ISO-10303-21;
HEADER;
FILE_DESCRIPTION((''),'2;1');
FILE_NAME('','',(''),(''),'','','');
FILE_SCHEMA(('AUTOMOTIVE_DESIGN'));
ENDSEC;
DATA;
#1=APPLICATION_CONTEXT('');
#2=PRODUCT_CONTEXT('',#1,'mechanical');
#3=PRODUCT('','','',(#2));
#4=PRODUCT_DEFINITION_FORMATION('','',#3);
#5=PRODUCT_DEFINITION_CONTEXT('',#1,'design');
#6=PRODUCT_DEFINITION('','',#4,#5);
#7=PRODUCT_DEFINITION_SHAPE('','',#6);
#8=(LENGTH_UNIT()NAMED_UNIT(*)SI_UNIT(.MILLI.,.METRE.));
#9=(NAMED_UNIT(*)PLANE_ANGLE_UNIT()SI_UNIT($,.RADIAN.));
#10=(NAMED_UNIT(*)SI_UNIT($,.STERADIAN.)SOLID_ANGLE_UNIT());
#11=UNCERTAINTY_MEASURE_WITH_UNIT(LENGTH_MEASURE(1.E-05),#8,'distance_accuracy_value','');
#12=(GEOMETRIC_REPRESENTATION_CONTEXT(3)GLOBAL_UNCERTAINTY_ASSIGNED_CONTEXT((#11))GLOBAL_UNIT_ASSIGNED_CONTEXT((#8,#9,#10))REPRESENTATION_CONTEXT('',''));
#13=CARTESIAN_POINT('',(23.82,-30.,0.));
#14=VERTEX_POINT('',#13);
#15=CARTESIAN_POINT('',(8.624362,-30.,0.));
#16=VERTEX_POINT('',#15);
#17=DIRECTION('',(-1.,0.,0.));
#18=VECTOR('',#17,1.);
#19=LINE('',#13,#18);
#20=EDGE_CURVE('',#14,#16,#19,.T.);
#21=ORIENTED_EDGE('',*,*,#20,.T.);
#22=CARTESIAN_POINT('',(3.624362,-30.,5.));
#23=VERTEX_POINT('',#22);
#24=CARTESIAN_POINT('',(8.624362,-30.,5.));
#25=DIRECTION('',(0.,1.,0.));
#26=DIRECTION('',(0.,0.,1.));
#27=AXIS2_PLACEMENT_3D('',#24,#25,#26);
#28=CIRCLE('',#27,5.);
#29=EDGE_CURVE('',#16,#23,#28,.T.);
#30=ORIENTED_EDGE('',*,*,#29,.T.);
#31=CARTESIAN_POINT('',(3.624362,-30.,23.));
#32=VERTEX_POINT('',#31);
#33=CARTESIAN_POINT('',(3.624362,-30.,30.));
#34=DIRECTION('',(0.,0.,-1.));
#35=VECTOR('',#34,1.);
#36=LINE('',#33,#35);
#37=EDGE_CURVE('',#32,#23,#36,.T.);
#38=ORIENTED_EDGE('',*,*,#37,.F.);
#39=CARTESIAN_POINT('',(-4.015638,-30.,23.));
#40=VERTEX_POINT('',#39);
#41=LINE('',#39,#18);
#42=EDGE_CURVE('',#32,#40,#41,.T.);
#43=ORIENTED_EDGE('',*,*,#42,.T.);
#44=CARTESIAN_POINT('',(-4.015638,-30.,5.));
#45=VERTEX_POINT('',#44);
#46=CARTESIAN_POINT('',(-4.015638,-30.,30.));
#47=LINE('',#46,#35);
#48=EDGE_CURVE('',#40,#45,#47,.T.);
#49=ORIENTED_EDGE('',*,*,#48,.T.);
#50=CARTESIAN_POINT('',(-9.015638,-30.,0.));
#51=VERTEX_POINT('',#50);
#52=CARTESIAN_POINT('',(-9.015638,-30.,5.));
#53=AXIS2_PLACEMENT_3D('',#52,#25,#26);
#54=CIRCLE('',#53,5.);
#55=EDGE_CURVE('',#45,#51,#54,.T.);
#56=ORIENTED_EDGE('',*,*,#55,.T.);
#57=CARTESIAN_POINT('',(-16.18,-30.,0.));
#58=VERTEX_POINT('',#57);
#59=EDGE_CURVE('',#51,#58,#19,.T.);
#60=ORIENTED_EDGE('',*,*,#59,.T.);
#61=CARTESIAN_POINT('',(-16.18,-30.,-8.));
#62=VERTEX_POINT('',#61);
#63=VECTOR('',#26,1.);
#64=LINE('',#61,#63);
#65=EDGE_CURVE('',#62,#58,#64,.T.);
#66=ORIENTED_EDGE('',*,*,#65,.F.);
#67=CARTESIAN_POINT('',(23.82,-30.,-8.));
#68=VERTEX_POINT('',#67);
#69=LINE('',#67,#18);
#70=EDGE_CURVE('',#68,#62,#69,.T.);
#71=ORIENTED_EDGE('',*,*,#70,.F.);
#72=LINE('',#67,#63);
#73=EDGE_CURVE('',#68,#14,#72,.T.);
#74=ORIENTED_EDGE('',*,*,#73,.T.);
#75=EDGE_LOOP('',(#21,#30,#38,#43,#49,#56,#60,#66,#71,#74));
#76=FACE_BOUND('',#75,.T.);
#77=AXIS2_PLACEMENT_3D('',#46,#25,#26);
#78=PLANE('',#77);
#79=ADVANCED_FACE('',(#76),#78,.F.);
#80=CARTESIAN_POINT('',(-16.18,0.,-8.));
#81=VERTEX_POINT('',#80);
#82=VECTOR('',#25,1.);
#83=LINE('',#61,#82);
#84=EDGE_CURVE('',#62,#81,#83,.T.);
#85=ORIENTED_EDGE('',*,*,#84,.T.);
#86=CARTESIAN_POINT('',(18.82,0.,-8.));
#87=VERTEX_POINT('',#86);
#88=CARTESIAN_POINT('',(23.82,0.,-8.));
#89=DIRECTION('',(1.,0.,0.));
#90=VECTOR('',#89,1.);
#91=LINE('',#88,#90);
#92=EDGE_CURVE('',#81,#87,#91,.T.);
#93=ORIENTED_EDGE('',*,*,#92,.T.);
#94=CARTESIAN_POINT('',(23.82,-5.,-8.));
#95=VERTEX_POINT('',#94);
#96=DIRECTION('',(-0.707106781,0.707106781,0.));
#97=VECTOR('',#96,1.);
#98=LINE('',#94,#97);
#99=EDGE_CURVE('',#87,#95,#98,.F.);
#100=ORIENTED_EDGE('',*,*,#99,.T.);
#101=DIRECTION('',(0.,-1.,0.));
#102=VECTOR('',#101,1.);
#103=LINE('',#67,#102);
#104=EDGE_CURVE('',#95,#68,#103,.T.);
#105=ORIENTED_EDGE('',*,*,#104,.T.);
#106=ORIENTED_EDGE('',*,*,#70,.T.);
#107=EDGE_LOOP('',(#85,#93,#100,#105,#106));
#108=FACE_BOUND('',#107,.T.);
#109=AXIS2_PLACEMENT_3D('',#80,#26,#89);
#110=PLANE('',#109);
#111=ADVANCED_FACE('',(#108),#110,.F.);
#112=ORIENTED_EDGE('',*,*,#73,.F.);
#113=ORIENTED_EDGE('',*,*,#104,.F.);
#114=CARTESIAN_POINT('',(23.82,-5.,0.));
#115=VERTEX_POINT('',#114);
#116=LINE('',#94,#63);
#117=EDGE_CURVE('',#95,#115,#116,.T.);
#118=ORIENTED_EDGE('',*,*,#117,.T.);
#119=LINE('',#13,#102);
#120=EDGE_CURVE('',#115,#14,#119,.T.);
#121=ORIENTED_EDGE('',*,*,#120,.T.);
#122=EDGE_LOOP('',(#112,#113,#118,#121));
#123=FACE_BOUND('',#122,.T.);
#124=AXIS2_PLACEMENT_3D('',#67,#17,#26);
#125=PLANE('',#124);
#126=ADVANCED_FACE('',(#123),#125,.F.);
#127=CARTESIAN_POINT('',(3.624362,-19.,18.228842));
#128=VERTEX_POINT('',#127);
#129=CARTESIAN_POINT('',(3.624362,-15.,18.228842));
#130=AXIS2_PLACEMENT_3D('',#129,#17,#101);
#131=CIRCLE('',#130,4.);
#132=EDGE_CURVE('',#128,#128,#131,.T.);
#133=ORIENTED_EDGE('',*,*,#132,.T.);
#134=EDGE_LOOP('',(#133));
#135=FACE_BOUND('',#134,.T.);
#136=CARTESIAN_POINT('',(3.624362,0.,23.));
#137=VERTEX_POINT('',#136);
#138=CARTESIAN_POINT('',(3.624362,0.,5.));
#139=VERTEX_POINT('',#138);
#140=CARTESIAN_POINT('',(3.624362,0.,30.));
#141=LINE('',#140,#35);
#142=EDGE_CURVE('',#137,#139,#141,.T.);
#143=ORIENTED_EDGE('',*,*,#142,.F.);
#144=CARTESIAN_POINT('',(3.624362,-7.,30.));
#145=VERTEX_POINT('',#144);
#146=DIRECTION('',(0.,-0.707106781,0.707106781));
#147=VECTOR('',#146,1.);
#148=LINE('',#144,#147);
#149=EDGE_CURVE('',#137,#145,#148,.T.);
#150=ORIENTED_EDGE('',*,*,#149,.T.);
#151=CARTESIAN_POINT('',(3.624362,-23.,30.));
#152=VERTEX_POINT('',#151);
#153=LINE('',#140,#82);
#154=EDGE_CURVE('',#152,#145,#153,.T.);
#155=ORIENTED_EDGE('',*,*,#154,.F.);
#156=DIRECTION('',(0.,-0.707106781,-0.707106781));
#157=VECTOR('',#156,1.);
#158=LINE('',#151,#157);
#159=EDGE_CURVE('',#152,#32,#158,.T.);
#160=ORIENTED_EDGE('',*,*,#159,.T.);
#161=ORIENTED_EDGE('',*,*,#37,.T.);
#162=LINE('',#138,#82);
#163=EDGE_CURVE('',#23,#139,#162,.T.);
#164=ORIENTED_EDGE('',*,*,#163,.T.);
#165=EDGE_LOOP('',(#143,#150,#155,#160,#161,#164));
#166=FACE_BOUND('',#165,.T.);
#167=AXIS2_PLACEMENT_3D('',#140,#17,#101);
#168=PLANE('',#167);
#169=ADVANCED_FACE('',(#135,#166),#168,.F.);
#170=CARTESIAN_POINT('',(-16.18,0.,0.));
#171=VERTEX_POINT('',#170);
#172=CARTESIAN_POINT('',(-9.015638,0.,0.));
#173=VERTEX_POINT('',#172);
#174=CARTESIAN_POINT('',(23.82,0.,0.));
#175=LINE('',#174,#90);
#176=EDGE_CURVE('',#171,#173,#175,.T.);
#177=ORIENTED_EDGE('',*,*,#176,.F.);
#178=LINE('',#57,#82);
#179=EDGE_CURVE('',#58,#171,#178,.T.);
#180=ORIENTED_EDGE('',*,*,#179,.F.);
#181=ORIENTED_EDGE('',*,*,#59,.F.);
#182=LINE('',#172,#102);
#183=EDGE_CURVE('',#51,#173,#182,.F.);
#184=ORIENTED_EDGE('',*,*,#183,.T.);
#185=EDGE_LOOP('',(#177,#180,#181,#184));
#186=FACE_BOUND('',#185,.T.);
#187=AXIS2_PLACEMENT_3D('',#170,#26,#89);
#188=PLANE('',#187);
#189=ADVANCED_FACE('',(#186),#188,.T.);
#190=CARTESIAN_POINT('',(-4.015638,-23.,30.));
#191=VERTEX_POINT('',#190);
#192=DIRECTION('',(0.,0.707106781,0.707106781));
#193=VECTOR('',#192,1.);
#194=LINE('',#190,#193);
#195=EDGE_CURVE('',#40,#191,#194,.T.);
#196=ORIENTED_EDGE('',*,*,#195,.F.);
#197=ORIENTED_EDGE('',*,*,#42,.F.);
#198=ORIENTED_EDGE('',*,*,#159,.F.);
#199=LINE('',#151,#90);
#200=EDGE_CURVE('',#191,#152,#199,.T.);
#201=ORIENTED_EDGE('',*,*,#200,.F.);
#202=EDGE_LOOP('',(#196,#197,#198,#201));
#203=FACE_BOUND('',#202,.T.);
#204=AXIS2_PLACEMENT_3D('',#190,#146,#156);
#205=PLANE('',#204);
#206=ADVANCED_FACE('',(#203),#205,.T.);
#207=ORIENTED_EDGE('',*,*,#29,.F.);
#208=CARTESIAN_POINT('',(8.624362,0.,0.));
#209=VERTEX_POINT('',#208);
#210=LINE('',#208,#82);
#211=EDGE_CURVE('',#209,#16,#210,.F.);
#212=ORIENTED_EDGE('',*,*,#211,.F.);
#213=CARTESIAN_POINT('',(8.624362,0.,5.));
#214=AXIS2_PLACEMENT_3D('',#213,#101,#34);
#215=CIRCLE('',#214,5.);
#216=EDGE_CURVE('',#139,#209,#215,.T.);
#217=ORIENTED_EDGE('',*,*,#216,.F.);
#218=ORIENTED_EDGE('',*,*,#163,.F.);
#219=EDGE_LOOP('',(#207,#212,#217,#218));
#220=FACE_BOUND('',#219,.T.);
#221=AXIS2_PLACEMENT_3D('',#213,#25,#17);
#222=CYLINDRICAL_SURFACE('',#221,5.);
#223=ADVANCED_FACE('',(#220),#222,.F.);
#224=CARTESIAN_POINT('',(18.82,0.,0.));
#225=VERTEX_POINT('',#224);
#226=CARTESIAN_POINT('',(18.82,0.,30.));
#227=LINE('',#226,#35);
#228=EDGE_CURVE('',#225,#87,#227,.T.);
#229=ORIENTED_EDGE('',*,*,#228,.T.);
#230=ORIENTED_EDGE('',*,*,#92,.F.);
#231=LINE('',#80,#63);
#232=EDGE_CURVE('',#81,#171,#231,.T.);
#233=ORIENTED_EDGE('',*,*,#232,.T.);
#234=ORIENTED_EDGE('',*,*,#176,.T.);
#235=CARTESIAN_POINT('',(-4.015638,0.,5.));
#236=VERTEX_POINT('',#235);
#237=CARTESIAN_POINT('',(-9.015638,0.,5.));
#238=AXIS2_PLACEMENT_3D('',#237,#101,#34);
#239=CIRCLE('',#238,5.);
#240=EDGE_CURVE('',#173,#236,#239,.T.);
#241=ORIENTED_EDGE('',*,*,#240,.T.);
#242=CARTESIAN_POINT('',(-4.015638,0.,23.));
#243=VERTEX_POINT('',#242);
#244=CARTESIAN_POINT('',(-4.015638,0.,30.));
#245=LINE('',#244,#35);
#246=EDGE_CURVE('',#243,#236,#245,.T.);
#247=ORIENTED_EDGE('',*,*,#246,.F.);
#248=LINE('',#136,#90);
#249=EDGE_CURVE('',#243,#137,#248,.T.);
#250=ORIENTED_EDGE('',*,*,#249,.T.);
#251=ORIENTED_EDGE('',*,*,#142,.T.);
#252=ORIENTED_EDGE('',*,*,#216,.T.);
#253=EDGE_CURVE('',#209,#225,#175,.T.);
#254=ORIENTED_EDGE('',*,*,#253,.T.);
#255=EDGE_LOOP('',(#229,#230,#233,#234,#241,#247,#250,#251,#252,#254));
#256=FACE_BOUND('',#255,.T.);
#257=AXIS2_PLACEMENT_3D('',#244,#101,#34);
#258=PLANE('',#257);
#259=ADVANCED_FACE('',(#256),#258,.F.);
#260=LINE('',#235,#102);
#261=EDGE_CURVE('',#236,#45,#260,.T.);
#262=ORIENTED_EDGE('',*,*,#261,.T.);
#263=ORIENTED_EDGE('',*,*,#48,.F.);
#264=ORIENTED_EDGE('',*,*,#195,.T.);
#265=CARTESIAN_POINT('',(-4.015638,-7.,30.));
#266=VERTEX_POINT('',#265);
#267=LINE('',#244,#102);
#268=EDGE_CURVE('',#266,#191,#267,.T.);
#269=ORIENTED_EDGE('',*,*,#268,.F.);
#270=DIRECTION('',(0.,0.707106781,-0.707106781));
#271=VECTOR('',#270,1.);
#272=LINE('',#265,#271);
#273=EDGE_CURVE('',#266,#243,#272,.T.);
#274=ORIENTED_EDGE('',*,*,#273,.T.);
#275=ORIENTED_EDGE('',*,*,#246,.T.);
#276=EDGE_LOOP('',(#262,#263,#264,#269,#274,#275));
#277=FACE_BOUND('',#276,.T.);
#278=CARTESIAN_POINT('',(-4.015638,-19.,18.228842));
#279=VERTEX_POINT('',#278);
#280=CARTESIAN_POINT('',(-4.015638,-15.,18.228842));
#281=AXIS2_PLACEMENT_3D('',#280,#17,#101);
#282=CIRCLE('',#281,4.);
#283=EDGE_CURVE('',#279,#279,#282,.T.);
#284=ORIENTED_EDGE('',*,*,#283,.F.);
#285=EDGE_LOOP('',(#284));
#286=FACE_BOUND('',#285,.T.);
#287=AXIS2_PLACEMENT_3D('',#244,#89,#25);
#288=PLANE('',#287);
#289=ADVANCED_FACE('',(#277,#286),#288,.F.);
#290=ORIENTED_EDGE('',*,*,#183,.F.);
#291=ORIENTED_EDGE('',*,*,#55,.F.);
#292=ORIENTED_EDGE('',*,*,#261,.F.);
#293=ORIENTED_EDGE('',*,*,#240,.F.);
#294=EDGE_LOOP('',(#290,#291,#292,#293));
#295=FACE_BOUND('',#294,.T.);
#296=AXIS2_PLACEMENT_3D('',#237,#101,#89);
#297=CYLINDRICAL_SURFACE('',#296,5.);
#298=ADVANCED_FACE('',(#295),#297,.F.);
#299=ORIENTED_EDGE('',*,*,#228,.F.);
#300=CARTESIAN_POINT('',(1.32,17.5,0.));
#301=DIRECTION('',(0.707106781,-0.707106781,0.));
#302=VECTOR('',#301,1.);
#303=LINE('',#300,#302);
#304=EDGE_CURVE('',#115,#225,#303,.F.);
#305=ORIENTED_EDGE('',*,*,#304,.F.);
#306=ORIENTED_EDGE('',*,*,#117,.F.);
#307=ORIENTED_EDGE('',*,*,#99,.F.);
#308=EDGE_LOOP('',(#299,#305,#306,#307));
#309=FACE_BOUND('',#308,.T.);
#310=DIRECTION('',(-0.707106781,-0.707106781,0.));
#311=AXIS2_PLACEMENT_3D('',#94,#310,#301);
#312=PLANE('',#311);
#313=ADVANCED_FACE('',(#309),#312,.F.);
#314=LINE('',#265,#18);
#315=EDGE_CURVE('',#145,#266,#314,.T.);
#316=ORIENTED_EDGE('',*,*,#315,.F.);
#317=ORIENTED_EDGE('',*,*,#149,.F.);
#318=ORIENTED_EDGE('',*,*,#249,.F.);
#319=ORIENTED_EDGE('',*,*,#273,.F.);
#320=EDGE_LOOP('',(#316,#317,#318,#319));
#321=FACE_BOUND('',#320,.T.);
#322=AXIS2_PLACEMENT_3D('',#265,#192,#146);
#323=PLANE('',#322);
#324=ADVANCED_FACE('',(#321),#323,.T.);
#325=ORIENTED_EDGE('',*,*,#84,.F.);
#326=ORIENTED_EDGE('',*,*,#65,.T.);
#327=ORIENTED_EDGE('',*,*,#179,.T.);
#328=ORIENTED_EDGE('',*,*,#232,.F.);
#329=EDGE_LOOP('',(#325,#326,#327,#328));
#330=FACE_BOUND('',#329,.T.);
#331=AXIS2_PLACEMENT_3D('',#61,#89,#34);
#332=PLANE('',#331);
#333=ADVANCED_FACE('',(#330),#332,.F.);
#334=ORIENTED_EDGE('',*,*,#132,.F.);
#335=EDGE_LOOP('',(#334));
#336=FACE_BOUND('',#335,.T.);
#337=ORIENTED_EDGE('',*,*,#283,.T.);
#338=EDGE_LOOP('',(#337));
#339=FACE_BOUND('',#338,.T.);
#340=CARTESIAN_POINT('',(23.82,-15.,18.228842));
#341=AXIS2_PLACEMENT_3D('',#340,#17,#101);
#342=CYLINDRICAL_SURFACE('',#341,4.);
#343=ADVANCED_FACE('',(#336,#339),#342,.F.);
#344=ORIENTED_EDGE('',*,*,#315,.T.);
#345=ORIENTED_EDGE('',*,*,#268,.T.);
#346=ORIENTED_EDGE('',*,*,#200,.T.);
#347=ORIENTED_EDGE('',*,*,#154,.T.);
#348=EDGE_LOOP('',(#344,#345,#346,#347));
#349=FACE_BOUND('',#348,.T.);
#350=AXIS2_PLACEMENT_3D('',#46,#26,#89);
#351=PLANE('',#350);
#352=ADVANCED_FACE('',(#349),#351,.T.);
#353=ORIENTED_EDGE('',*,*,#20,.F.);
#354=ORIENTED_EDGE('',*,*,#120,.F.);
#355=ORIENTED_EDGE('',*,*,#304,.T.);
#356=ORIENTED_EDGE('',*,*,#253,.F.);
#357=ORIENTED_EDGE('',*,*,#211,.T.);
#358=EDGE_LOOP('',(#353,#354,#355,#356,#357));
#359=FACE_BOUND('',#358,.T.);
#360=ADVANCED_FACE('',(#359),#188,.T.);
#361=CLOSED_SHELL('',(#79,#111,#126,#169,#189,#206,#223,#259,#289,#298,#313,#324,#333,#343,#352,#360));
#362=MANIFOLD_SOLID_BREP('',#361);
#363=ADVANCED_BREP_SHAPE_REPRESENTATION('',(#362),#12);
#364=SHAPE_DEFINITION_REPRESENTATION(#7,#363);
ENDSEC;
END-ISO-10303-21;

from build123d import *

# Parameters (mm, degrees)
SKETCH_1_W          = 7.64
SKETCH_1_H          = 30
EXTRUDE_1_DEPTH     = 30
SKETCH_2_W          = 40
SKETCH_2_H          = 29.999999992
EXTRUDE_2_DEPTH     = 8
FILLET_1_R          = 5
CHAMFER_1_SIZE      = 7
SKETCH_3_R          = 4
CUT_EXTRUDE_1_DEPTH = 51.742711323
CHAMFER_2_SIZE      = 5


with BuildPart() as part:
    # Эскиз1 → Вытянуть1 (new body)
    with BuildSketch(Plane.XY):
        with Locations((-0.195638171, -15)):
            Rectangle(SKETCH_1_W, SKETCH_1_H)
    extrude(amount=EXTRUDE_1_DEPTH)

    # Эскиз2 → Вытянуть2 (add)
    with BuildSketch(Plane(origin=(0, 0, 0), x_dir=(-1, 0, 0), z_dir=(0, 0, -1))):
        with Locations((-3.82, -14.999999996)):
            Rectangle(SKETCH_2_W, SKETCH_2_H)
    extrude(amount=EXTRUDE_2_DEPTH)

    # Скругление1
    fillet_1_edges = [part.edges().sort_by_distance(p)[0] for p in [
        (-4.015638171, -15, 0),
        (3.624361829, -15, 0),
    ]]
    fillet(fillet_1_edges, radius=FILLET_1_R)

    # Фаска1
    chamfer_1_edges = [part.edges().sort_by_distance(p)[0] for p in [
        (-0.195638171, -30, 30),
        (-0.195638171, 0, 30),
    ]]
    chamfer(chamfer_1_edges, length=CHAMFER_1_SIZE)

    # Эскиз3 → Вырез-Вытянуть1 (cut, through all)
    with BuildSketch(Plane.ZY.offset(4.015638171)):
        with Locations(Location((18.228841689, -15, 0), (0, 0, 270))):
            Circle(SKETCH_3_R)
    extrude(amount=-CUT_EXTRUDE_1_DEPTH, mode=Mode.SUBTRACT)

    # Фаска2
    chamfer_2_edges = [part.edges().sort_by_distance(p)[0] for p in [
        (23.82, 0, -4),
    ]]
    chamfer(chamfer_2_edges, length=CHAMFER_2_SIZE)


solid = part.part
